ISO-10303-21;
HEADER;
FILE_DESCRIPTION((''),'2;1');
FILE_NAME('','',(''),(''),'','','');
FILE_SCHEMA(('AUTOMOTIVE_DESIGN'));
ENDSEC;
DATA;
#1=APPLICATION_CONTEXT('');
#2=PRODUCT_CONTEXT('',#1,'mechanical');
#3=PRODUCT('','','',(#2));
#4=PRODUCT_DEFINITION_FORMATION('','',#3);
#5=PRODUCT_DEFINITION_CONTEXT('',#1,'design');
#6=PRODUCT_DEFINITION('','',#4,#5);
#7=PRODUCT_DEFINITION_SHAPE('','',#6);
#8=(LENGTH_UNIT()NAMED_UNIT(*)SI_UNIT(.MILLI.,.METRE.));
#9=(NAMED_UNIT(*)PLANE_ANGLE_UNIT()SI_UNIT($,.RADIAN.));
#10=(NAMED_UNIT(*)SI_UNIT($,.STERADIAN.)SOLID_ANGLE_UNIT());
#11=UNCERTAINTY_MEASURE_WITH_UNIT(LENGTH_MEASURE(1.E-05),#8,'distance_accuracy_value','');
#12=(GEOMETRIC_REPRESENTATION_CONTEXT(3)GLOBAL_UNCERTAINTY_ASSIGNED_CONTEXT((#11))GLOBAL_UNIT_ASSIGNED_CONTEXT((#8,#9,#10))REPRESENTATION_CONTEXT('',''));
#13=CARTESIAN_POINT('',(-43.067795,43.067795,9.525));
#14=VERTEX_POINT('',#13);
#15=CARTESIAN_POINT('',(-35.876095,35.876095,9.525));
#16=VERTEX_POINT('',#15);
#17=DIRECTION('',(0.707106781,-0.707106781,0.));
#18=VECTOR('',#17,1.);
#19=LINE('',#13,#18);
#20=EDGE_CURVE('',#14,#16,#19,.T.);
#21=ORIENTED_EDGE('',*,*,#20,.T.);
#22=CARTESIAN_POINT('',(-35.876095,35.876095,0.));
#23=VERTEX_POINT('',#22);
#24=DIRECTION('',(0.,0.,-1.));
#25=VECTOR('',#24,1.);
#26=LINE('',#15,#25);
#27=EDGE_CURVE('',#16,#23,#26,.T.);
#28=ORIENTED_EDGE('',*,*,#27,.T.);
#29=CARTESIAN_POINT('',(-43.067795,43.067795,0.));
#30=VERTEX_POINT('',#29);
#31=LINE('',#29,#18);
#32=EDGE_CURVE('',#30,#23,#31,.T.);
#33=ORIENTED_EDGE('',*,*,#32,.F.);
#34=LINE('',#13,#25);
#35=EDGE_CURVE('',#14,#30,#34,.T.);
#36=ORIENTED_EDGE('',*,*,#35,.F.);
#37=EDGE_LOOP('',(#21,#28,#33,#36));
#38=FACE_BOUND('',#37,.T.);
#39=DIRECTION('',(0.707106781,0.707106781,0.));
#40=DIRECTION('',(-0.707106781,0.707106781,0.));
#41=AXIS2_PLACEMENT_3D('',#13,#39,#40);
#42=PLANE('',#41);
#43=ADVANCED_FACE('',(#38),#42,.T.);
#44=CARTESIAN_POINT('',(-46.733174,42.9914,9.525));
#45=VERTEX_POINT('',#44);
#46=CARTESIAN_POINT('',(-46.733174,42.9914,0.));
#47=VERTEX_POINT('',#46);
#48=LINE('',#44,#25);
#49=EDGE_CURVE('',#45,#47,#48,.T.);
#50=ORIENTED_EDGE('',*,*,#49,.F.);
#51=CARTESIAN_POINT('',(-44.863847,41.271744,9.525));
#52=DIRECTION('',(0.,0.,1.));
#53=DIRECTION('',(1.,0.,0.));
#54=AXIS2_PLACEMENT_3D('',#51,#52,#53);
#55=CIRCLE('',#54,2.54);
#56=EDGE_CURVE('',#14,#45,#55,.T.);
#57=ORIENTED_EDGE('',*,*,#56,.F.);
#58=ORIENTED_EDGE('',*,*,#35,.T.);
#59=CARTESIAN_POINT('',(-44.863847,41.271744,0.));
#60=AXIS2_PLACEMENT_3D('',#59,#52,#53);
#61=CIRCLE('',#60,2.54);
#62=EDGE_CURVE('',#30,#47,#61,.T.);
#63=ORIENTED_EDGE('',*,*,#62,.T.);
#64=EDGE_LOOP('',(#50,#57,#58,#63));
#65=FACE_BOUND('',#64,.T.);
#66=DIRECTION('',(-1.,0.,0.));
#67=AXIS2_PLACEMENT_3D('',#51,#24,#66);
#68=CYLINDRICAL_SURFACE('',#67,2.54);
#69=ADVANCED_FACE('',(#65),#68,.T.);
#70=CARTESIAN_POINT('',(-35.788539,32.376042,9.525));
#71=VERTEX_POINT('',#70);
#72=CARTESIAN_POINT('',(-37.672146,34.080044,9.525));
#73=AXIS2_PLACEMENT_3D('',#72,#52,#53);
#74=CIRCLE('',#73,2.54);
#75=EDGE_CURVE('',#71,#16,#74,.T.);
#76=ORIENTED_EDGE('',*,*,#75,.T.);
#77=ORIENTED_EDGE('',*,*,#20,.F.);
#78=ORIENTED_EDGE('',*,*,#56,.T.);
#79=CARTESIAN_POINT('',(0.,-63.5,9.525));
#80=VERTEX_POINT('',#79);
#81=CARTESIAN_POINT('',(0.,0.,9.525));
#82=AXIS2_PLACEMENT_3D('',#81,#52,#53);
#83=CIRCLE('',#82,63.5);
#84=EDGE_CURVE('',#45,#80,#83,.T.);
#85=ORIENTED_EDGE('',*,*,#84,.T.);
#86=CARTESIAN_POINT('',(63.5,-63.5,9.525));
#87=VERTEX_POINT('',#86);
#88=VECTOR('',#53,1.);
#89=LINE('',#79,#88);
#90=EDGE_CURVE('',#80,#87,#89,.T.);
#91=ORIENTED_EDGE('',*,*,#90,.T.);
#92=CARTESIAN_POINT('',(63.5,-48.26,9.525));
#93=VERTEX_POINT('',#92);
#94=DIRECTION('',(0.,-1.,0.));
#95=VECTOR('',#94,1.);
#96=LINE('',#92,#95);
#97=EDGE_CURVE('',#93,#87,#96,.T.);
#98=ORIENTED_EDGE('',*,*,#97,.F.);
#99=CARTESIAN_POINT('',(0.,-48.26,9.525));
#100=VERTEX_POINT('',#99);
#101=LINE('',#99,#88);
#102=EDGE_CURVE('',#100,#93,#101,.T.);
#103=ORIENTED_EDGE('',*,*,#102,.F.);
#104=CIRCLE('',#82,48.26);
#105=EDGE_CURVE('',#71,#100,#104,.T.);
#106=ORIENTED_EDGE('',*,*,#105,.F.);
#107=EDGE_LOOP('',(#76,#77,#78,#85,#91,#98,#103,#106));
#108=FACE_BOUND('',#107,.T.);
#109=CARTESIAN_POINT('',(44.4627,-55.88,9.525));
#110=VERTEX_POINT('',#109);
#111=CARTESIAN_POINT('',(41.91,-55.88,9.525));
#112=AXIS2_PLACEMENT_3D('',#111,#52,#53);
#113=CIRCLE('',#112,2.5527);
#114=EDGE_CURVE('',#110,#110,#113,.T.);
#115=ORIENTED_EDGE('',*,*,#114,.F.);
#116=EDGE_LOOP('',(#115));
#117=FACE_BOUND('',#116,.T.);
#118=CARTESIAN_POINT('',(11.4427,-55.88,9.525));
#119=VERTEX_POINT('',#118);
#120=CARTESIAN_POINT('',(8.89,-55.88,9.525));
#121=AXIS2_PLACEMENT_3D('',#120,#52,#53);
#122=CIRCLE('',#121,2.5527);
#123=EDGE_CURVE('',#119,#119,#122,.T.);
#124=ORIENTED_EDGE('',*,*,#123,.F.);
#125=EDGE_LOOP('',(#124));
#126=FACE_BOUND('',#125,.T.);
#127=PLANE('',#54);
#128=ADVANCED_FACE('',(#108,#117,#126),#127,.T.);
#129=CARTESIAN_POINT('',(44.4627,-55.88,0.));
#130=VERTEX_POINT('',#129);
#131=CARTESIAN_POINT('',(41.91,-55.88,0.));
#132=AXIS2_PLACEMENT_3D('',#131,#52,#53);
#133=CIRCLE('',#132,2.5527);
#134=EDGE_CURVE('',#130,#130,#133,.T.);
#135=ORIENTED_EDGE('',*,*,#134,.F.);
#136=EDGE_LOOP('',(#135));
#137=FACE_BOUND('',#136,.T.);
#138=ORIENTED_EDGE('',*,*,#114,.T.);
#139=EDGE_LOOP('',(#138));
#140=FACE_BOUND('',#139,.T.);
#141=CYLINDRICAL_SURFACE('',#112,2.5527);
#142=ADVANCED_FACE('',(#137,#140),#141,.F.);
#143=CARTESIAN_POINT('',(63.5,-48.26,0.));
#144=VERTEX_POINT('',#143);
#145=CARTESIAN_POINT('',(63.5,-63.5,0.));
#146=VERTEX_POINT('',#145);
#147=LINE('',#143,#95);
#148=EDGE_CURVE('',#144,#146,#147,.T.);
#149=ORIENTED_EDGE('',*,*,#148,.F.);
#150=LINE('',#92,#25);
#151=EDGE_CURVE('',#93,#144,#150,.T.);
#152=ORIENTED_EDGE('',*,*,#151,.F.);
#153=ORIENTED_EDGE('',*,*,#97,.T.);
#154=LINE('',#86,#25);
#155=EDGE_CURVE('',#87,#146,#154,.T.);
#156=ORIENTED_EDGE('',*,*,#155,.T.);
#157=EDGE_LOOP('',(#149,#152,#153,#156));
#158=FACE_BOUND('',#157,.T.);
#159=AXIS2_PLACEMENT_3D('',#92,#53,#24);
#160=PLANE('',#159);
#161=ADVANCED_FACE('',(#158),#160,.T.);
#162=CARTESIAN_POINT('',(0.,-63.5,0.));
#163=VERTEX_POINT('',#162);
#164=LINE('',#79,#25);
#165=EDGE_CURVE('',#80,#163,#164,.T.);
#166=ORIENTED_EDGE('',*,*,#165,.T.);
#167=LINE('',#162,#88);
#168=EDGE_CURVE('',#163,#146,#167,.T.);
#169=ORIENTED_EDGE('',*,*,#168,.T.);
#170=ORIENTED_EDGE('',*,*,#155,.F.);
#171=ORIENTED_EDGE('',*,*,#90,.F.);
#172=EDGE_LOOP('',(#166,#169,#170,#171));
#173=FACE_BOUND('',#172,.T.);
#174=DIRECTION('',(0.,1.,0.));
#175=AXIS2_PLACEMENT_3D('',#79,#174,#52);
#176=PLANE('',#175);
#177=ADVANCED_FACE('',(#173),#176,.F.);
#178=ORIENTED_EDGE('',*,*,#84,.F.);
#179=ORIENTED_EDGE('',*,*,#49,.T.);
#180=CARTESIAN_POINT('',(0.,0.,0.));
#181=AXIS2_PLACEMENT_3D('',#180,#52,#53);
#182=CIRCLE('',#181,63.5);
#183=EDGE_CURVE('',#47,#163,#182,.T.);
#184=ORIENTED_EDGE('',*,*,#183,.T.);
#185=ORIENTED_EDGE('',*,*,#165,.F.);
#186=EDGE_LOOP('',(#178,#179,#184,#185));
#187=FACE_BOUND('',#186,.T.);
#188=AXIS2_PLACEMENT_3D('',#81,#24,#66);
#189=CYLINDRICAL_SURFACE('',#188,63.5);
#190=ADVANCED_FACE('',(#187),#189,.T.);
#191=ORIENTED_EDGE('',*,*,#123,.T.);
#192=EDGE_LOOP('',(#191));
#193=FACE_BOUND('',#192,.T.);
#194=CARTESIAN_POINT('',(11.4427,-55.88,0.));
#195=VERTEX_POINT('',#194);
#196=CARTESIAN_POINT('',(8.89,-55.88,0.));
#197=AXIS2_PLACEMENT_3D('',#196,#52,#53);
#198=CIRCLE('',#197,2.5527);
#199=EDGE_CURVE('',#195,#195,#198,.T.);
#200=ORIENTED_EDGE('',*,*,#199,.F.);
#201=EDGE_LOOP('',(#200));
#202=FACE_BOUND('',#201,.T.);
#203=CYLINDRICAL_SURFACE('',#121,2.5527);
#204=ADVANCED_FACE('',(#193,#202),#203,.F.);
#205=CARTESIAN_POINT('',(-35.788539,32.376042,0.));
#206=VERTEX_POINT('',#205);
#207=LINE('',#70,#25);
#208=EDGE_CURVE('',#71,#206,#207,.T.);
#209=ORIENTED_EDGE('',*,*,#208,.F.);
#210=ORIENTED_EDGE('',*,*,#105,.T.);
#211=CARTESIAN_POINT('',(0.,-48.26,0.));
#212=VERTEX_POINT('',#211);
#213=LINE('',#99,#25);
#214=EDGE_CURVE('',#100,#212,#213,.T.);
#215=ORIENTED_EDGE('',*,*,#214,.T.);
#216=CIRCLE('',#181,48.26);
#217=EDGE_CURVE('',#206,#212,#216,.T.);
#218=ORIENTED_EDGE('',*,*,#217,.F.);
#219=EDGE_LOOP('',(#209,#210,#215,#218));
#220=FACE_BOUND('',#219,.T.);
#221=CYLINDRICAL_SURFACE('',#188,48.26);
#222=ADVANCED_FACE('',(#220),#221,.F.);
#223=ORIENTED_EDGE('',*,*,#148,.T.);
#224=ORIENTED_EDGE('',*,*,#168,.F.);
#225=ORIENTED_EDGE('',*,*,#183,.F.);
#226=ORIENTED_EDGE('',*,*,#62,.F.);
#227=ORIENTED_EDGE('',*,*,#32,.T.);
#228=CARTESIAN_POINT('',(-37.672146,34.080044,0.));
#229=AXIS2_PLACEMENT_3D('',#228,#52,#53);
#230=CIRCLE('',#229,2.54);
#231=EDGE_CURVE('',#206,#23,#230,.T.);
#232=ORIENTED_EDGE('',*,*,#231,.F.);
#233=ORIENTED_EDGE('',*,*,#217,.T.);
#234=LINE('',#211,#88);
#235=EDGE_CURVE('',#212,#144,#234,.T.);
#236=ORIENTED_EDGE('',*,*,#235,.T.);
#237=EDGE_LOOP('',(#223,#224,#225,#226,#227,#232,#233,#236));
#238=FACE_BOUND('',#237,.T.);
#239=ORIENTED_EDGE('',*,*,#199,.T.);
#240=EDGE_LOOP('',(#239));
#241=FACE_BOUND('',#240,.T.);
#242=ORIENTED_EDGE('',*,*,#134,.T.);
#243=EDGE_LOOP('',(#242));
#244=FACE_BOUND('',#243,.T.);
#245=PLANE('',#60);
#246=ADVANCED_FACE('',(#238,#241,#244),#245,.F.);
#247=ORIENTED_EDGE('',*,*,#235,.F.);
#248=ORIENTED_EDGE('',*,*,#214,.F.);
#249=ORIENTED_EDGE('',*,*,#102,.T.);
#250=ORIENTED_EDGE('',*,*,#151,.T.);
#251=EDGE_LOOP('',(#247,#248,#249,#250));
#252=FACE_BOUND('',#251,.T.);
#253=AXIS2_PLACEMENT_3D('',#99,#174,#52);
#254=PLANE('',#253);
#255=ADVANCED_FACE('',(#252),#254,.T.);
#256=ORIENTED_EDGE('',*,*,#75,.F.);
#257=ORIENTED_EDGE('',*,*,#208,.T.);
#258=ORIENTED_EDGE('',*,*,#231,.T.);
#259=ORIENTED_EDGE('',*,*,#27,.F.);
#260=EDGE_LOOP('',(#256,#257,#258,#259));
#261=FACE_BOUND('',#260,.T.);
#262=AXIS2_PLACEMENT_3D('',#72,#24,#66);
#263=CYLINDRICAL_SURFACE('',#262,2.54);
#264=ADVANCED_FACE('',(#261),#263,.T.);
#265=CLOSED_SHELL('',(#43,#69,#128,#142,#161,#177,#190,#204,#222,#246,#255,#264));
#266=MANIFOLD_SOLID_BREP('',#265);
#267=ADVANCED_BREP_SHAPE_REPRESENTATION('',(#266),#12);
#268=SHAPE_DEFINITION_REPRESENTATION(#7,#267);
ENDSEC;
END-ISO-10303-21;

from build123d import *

# Parameters (mm, degrees)
BOSS_EXTRUDE1_DEPTH     = 9.525
F_1_4_20_TAPPED_HOLE1_D = 5.1054


with BuildPart() as part:
    # Sketch2 → Boss-Extrude1 (new body)
    with BuildSketch(Plane.XY):
        with BuildLine():
            Line((0, -63.5), (63.5, -63.5))
            Line((63.5, -63.5), (63.5, -48.26))
            Line((63.5, -48.26), (0, -48.26))
            ThreePointArc((0, -48.26), (-44.110630078, -19.577535956), (-35.788539013, 32.376041687))
            ThreePointArc((-35.788539013, 32.376041687), (-35.1329407, 34.143563747), (-35.876095105, 35.876095105))
            Line((-35.876095105, 35.876095105), (-43.067795393, 43.067795393))
            ThreePointArc((-43.067795393, 43.067795393), (-44.916774776, 43.811192654), (-46.733173559, 42.991400176))
            ThreePointArc((-46.733173559, 42.991400176), (-58.147243749, -25.517602639), (0, -63.5))
        make_face()
    extrude(amount=BOSS_EXTRUDE1_DEPTH)

    # 1/4-20 Tapped Hole1 (through all)
    with Locations(Plane.XY.offset(9.525)):
        with Locations((8.89, -55.88), (41.91, -55.88)):
            Hole(F_1_4_20_TAPPED_HOLE1_D / 2)


solid = part.part
